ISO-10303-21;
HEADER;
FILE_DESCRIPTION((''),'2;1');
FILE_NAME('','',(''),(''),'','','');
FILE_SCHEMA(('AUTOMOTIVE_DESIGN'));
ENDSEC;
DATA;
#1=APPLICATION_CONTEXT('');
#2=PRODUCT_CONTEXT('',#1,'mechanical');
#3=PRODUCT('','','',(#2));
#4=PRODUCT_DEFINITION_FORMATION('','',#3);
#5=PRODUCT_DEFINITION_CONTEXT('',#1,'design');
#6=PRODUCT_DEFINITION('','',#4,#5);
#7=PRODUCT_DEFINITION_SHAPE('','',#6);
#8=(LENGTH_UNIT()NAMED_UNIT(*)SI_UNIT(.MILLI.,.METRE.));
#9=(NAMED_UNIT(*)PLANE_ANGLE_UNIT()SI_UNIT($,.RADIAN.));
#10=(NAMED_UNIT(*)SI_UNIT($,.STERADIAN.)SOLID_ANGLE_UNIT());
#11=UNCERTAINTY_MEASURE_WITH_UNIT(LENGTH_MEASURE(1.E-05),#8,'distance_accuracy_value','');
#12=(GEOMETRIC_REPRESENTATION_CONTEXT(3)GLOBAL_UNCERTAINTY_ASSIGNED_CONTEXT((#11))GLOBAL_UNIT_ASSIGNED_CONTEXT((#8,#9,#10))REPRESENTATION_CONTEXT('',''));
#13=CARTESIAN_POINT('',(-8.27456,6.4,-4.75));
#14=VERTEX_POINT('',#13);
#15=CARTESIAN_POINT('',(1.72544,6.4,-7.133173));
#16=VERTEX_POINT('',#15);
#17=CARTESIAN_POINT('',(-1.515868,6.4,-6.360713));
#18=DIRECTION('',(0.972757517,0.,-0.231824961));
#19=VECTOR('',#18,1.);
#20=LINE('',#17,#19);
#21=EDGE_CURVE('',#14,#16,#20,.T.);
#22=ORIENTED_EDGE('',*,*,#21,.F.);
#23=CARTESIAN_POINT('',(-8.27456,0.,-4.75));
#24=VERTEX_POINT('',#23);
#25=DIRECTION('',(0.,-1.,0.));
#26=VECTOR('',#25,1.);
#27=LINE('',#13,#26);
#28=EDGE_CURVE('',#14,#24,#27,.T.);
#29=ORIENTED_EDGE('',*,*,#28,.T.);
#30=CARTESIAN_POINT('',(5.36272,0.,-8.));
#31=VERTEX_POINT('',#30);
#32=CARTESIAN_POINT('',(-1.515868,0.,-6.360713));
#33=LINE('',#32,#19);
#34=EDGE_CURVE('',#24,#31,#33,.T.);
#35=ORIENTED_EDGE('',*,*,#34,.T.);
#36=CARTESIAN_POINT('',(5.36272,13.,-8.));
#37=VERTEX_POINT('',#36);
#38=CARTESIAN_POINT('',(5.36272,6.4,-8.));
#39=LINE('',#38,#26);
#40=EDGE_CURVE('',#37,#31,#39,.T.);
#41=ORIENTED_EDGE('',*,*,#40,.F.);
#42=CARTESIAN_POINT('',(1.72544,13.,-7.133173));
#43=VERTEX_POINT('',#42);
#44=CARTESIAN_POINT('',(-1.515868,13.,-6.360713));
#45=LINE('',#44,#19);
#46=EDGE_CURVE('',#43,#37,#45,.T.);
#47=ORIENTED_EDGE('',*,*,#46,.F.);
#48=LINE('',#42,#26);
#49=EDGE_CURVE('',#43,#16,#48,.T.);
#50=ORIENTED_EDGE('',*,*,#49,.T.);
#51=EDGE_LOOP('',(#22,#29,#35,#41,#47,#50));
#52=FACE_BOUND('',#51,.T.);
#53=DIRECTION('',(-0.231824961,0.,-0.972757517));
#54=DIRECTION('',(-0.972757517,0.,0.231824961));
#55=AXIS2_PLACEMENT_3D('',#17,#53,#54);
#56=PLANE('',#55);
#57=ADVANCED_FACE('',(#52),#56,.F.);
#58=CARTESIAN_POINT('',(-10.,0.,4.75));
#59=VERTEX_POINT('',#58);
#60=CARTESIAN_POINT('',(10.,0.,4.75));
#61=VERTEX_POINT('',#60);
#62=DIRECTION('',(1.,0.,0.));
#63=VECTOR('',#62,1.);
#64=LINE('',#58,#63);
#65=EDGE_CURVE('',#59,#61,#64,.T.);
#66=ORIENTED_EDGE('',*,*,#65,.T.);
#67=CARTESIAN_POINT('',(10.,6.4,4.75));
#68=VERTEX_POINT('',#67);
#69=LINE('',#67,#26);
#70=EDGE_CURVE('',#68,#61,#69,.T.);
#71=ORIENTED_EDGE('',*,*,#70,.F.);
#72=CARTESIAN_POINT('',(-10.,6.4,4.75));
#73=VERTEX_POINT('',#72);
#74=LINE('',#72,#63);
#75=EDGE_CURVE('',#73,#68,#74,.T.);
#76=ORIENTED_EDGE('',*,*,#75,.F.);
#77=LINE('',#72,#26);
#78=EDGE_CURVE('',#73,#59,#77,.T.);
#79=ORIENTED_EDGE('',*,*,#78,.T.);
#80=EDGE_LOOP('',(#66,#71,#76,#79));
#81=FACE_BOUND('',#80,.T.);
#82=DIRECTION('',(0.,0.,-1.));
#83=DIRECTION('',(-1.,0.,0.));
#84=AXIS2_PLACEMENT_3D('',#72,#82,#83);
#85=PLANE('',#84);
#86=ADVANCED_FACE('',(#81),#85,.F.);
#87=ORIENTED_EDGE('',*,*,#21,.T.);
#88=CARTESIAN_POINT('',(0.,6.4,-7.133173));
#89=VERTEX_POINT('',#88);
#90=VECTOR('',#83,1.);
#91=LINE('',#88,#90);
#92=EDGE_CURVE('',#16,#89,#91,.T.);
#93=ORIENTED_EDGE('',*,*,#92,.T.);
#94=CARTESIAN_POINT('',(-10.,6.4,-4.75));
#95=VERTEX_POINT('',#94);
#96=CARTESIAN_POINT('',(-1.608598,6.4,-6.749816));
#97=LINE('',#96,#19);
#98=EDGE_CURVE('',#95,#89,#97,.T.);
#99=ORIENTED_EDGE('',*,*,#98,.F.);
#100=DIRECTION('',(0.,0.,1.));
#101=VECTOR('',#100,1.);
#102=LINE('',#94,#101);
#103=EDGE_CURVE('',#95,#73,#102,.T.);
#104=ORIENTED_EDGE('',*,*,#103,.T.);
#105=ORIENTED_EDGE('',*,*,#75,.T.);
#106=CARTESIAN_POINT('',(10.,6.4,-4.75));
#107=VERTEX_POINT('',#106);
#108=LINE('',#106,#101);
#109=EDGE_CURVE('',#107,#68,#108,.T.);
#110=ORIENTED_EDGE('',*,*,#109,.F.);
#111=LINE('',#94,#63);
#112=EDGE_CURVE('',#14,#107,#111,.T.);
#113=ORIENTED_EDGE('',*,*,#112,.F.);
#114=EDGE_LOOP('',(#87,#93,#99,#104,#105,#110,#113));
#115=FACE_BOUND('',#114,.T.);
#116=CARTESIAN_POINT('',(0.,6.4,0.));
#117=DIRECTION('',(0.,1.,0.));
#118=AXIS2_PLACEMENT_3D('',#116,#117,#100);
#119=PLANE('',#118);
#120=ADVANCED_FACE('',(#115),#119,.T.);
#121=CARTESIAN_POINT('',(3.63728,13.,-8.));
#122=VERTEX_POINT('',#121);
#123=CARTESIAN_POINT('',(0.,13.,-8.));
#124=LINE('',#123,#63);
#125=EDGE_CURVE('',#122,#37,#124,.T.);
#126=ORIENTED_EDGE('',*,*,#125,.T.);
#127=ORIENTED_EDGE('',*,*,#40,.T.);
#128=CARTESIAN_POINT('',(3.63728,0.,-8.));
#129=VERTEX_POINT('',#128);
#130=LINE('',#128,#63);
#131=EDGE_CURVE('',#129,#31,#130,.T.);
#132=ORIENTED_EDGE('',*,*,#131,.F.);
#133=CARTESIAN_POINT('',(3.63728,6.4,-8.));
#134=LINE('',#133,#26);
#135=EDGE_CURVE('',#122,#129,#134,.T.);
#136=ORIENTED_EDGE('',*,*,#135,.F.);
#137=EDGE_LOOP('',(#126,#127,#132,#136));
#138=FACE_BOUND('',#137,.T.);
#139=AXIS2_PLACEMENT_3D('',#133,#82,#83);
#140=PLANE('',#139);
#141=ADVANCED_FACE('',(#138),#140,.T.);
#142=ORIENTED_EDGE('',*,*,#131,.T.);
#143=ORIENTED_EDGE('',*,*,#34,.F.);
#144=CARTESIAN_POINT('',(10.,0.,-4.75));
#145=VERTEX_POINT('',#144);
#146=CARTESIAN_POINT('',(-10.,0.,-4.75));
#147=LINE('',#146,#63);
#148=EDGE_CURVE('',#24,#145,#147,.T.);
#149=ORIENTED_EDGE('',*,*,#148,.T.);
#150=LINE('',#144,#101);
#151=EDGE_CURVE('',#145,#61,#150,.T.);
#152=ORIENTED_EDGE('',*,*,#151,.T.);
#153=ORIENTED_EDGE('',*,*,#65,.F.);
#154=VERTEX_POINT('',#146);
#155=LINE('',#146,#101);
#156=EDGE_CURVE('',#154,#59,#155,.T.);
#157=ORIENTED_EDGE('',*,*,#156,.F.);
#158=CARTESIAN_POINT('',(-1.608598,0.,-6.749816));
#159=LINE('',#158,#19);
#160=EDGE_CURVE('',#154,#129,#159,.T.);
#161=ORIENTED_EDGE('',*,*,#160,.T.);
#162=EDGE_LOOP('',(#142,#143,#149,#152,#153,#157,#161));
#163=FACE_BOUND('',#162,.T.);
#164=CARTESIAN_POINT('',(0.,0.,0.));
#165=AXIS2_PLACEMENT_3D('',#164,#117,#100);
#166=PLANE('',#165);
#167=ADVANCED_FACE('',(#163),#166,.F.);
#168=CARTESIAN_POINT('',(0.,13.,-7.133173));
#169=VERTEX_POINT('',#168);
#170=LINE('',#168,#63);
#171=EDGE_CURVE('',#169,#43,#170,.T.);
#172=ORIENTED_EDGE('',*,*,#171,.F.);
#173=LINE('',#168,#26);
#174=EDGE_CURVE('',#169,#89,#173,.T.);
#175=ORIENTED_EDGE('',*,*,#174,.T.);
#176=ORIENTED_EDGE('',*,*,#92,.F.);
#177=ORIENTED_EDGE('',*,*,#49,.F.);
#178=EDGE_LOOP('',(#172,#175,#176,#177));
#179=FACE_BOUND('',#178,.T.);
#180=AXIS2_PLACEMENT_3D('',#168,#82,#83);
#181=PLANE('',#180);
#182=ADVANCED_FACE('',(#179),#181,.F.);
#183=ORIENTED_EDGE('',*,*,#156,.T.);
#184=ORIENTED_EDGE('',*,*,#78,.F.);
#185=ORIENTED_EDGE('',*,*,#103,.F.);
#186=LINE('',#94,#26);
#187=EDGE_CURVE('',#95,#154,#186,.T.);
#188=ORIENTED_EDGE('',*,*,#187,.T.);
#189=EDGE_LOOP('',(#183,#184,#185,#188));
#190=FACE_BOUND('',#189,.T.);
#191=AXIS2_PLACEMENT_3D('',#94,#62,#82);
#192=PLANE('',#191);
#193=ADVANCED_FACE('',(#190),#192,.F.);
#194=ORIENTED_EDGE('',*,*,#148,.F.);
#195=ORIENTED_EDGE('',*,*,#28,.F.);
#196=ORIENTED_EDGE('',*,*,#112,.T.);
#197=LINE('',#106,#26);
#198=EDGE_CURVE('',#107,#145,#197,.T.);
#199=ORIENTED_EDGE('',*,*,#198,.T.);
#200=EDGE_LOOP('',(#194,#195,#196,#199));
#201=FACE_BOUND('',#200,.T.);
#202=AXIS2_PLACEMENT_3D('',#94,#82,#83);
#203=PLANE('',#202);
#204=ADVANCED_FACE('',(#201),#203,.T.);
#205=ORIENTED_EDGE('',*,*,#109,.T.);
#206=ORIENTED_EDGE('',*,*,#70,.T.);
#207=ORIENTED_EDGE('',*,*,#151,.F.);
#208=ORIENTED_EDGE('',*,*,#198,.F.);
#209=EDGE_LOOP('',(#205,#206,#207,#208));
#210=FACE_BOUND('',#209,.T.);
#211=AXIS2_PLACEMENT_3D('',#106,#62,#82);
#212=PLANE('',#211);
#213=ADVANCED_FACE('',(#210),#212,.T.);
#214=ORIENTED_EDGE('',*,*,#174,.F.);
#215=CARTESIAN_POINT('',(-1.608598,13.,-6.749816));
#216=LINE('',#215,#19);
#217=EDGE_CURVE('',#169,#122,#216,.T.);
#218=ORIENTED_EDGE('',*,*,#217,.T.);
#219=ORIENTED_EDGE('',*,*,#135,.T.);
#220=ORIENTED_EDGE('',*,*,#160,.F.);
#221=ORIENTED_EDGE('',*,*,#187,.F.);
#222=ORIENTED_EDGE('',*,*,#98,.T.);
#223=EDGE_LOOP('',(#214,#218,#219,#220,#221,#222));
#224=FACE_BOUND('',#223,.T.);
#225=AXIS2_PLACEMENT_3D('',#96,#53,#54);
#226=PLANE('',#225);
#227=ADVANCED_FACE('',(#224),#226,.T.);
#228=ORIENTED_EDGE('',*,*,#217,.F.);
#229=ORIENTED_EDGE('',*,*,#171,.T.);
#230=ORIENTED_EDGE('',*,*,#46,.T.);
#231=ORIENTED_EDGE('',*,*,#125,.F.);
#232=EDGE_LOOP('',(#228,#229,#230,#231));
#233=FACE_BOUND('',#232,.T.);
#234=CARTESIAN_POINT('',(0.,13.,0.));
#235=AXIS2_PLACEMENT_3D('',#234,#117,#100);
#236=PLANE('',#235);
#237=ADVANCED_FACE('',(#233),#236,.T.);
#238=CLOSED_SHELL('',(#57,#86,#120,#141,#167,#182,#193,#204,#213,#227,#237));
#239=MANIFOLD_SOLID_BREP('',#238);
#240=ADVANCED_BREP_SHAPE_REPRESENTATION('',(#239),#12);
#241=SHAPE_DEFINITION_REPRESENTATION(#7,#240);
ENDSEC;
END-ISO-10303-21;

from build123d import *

# Parameters (mm, degrees)
AUFSATZ_LINEAR_AUSTRAGEN1_DEPTH = 6.4
AUFSATZ_LINEAR_AUSTRAGEN2_DEPTH = 13


with BuildPart() as part:
    # Skizze1 → Aufsatz-Linear austragen1 (new body)
    with BuildSketch(Plane(origin=(0, 0, 0), x_dir=(1, 0, 0), z_dir=(0, 1, 0))):
        Polygon((-10, 4.75), (-10, -4.75), (10, -4.75), (10, 4.75), (-8.27456026, 4.75), (5.36271987, 8), (3.63728013, 8), align=None)
    extrude(amount=AUFSATZ_LINEAR_AUSTRAGEN1_DEPTH)

    # Skizze1<3> → Aufsatz-Linear austragen2 (add)
    with BuildSketch(Plane(origin=(0, 0, 0), x_dir=(1, 0, 0), z_dir=(0, 1, 0))):
        Polygon((3.63728013, 8), (0, 7.133173161), (1.72543974, 7.133173161), (5.36271987, 8), align=None)
    extrude(amount=AUFSATZ_LINEAR_AUSTRAGEN2_DEPTH)


solid = part.part
